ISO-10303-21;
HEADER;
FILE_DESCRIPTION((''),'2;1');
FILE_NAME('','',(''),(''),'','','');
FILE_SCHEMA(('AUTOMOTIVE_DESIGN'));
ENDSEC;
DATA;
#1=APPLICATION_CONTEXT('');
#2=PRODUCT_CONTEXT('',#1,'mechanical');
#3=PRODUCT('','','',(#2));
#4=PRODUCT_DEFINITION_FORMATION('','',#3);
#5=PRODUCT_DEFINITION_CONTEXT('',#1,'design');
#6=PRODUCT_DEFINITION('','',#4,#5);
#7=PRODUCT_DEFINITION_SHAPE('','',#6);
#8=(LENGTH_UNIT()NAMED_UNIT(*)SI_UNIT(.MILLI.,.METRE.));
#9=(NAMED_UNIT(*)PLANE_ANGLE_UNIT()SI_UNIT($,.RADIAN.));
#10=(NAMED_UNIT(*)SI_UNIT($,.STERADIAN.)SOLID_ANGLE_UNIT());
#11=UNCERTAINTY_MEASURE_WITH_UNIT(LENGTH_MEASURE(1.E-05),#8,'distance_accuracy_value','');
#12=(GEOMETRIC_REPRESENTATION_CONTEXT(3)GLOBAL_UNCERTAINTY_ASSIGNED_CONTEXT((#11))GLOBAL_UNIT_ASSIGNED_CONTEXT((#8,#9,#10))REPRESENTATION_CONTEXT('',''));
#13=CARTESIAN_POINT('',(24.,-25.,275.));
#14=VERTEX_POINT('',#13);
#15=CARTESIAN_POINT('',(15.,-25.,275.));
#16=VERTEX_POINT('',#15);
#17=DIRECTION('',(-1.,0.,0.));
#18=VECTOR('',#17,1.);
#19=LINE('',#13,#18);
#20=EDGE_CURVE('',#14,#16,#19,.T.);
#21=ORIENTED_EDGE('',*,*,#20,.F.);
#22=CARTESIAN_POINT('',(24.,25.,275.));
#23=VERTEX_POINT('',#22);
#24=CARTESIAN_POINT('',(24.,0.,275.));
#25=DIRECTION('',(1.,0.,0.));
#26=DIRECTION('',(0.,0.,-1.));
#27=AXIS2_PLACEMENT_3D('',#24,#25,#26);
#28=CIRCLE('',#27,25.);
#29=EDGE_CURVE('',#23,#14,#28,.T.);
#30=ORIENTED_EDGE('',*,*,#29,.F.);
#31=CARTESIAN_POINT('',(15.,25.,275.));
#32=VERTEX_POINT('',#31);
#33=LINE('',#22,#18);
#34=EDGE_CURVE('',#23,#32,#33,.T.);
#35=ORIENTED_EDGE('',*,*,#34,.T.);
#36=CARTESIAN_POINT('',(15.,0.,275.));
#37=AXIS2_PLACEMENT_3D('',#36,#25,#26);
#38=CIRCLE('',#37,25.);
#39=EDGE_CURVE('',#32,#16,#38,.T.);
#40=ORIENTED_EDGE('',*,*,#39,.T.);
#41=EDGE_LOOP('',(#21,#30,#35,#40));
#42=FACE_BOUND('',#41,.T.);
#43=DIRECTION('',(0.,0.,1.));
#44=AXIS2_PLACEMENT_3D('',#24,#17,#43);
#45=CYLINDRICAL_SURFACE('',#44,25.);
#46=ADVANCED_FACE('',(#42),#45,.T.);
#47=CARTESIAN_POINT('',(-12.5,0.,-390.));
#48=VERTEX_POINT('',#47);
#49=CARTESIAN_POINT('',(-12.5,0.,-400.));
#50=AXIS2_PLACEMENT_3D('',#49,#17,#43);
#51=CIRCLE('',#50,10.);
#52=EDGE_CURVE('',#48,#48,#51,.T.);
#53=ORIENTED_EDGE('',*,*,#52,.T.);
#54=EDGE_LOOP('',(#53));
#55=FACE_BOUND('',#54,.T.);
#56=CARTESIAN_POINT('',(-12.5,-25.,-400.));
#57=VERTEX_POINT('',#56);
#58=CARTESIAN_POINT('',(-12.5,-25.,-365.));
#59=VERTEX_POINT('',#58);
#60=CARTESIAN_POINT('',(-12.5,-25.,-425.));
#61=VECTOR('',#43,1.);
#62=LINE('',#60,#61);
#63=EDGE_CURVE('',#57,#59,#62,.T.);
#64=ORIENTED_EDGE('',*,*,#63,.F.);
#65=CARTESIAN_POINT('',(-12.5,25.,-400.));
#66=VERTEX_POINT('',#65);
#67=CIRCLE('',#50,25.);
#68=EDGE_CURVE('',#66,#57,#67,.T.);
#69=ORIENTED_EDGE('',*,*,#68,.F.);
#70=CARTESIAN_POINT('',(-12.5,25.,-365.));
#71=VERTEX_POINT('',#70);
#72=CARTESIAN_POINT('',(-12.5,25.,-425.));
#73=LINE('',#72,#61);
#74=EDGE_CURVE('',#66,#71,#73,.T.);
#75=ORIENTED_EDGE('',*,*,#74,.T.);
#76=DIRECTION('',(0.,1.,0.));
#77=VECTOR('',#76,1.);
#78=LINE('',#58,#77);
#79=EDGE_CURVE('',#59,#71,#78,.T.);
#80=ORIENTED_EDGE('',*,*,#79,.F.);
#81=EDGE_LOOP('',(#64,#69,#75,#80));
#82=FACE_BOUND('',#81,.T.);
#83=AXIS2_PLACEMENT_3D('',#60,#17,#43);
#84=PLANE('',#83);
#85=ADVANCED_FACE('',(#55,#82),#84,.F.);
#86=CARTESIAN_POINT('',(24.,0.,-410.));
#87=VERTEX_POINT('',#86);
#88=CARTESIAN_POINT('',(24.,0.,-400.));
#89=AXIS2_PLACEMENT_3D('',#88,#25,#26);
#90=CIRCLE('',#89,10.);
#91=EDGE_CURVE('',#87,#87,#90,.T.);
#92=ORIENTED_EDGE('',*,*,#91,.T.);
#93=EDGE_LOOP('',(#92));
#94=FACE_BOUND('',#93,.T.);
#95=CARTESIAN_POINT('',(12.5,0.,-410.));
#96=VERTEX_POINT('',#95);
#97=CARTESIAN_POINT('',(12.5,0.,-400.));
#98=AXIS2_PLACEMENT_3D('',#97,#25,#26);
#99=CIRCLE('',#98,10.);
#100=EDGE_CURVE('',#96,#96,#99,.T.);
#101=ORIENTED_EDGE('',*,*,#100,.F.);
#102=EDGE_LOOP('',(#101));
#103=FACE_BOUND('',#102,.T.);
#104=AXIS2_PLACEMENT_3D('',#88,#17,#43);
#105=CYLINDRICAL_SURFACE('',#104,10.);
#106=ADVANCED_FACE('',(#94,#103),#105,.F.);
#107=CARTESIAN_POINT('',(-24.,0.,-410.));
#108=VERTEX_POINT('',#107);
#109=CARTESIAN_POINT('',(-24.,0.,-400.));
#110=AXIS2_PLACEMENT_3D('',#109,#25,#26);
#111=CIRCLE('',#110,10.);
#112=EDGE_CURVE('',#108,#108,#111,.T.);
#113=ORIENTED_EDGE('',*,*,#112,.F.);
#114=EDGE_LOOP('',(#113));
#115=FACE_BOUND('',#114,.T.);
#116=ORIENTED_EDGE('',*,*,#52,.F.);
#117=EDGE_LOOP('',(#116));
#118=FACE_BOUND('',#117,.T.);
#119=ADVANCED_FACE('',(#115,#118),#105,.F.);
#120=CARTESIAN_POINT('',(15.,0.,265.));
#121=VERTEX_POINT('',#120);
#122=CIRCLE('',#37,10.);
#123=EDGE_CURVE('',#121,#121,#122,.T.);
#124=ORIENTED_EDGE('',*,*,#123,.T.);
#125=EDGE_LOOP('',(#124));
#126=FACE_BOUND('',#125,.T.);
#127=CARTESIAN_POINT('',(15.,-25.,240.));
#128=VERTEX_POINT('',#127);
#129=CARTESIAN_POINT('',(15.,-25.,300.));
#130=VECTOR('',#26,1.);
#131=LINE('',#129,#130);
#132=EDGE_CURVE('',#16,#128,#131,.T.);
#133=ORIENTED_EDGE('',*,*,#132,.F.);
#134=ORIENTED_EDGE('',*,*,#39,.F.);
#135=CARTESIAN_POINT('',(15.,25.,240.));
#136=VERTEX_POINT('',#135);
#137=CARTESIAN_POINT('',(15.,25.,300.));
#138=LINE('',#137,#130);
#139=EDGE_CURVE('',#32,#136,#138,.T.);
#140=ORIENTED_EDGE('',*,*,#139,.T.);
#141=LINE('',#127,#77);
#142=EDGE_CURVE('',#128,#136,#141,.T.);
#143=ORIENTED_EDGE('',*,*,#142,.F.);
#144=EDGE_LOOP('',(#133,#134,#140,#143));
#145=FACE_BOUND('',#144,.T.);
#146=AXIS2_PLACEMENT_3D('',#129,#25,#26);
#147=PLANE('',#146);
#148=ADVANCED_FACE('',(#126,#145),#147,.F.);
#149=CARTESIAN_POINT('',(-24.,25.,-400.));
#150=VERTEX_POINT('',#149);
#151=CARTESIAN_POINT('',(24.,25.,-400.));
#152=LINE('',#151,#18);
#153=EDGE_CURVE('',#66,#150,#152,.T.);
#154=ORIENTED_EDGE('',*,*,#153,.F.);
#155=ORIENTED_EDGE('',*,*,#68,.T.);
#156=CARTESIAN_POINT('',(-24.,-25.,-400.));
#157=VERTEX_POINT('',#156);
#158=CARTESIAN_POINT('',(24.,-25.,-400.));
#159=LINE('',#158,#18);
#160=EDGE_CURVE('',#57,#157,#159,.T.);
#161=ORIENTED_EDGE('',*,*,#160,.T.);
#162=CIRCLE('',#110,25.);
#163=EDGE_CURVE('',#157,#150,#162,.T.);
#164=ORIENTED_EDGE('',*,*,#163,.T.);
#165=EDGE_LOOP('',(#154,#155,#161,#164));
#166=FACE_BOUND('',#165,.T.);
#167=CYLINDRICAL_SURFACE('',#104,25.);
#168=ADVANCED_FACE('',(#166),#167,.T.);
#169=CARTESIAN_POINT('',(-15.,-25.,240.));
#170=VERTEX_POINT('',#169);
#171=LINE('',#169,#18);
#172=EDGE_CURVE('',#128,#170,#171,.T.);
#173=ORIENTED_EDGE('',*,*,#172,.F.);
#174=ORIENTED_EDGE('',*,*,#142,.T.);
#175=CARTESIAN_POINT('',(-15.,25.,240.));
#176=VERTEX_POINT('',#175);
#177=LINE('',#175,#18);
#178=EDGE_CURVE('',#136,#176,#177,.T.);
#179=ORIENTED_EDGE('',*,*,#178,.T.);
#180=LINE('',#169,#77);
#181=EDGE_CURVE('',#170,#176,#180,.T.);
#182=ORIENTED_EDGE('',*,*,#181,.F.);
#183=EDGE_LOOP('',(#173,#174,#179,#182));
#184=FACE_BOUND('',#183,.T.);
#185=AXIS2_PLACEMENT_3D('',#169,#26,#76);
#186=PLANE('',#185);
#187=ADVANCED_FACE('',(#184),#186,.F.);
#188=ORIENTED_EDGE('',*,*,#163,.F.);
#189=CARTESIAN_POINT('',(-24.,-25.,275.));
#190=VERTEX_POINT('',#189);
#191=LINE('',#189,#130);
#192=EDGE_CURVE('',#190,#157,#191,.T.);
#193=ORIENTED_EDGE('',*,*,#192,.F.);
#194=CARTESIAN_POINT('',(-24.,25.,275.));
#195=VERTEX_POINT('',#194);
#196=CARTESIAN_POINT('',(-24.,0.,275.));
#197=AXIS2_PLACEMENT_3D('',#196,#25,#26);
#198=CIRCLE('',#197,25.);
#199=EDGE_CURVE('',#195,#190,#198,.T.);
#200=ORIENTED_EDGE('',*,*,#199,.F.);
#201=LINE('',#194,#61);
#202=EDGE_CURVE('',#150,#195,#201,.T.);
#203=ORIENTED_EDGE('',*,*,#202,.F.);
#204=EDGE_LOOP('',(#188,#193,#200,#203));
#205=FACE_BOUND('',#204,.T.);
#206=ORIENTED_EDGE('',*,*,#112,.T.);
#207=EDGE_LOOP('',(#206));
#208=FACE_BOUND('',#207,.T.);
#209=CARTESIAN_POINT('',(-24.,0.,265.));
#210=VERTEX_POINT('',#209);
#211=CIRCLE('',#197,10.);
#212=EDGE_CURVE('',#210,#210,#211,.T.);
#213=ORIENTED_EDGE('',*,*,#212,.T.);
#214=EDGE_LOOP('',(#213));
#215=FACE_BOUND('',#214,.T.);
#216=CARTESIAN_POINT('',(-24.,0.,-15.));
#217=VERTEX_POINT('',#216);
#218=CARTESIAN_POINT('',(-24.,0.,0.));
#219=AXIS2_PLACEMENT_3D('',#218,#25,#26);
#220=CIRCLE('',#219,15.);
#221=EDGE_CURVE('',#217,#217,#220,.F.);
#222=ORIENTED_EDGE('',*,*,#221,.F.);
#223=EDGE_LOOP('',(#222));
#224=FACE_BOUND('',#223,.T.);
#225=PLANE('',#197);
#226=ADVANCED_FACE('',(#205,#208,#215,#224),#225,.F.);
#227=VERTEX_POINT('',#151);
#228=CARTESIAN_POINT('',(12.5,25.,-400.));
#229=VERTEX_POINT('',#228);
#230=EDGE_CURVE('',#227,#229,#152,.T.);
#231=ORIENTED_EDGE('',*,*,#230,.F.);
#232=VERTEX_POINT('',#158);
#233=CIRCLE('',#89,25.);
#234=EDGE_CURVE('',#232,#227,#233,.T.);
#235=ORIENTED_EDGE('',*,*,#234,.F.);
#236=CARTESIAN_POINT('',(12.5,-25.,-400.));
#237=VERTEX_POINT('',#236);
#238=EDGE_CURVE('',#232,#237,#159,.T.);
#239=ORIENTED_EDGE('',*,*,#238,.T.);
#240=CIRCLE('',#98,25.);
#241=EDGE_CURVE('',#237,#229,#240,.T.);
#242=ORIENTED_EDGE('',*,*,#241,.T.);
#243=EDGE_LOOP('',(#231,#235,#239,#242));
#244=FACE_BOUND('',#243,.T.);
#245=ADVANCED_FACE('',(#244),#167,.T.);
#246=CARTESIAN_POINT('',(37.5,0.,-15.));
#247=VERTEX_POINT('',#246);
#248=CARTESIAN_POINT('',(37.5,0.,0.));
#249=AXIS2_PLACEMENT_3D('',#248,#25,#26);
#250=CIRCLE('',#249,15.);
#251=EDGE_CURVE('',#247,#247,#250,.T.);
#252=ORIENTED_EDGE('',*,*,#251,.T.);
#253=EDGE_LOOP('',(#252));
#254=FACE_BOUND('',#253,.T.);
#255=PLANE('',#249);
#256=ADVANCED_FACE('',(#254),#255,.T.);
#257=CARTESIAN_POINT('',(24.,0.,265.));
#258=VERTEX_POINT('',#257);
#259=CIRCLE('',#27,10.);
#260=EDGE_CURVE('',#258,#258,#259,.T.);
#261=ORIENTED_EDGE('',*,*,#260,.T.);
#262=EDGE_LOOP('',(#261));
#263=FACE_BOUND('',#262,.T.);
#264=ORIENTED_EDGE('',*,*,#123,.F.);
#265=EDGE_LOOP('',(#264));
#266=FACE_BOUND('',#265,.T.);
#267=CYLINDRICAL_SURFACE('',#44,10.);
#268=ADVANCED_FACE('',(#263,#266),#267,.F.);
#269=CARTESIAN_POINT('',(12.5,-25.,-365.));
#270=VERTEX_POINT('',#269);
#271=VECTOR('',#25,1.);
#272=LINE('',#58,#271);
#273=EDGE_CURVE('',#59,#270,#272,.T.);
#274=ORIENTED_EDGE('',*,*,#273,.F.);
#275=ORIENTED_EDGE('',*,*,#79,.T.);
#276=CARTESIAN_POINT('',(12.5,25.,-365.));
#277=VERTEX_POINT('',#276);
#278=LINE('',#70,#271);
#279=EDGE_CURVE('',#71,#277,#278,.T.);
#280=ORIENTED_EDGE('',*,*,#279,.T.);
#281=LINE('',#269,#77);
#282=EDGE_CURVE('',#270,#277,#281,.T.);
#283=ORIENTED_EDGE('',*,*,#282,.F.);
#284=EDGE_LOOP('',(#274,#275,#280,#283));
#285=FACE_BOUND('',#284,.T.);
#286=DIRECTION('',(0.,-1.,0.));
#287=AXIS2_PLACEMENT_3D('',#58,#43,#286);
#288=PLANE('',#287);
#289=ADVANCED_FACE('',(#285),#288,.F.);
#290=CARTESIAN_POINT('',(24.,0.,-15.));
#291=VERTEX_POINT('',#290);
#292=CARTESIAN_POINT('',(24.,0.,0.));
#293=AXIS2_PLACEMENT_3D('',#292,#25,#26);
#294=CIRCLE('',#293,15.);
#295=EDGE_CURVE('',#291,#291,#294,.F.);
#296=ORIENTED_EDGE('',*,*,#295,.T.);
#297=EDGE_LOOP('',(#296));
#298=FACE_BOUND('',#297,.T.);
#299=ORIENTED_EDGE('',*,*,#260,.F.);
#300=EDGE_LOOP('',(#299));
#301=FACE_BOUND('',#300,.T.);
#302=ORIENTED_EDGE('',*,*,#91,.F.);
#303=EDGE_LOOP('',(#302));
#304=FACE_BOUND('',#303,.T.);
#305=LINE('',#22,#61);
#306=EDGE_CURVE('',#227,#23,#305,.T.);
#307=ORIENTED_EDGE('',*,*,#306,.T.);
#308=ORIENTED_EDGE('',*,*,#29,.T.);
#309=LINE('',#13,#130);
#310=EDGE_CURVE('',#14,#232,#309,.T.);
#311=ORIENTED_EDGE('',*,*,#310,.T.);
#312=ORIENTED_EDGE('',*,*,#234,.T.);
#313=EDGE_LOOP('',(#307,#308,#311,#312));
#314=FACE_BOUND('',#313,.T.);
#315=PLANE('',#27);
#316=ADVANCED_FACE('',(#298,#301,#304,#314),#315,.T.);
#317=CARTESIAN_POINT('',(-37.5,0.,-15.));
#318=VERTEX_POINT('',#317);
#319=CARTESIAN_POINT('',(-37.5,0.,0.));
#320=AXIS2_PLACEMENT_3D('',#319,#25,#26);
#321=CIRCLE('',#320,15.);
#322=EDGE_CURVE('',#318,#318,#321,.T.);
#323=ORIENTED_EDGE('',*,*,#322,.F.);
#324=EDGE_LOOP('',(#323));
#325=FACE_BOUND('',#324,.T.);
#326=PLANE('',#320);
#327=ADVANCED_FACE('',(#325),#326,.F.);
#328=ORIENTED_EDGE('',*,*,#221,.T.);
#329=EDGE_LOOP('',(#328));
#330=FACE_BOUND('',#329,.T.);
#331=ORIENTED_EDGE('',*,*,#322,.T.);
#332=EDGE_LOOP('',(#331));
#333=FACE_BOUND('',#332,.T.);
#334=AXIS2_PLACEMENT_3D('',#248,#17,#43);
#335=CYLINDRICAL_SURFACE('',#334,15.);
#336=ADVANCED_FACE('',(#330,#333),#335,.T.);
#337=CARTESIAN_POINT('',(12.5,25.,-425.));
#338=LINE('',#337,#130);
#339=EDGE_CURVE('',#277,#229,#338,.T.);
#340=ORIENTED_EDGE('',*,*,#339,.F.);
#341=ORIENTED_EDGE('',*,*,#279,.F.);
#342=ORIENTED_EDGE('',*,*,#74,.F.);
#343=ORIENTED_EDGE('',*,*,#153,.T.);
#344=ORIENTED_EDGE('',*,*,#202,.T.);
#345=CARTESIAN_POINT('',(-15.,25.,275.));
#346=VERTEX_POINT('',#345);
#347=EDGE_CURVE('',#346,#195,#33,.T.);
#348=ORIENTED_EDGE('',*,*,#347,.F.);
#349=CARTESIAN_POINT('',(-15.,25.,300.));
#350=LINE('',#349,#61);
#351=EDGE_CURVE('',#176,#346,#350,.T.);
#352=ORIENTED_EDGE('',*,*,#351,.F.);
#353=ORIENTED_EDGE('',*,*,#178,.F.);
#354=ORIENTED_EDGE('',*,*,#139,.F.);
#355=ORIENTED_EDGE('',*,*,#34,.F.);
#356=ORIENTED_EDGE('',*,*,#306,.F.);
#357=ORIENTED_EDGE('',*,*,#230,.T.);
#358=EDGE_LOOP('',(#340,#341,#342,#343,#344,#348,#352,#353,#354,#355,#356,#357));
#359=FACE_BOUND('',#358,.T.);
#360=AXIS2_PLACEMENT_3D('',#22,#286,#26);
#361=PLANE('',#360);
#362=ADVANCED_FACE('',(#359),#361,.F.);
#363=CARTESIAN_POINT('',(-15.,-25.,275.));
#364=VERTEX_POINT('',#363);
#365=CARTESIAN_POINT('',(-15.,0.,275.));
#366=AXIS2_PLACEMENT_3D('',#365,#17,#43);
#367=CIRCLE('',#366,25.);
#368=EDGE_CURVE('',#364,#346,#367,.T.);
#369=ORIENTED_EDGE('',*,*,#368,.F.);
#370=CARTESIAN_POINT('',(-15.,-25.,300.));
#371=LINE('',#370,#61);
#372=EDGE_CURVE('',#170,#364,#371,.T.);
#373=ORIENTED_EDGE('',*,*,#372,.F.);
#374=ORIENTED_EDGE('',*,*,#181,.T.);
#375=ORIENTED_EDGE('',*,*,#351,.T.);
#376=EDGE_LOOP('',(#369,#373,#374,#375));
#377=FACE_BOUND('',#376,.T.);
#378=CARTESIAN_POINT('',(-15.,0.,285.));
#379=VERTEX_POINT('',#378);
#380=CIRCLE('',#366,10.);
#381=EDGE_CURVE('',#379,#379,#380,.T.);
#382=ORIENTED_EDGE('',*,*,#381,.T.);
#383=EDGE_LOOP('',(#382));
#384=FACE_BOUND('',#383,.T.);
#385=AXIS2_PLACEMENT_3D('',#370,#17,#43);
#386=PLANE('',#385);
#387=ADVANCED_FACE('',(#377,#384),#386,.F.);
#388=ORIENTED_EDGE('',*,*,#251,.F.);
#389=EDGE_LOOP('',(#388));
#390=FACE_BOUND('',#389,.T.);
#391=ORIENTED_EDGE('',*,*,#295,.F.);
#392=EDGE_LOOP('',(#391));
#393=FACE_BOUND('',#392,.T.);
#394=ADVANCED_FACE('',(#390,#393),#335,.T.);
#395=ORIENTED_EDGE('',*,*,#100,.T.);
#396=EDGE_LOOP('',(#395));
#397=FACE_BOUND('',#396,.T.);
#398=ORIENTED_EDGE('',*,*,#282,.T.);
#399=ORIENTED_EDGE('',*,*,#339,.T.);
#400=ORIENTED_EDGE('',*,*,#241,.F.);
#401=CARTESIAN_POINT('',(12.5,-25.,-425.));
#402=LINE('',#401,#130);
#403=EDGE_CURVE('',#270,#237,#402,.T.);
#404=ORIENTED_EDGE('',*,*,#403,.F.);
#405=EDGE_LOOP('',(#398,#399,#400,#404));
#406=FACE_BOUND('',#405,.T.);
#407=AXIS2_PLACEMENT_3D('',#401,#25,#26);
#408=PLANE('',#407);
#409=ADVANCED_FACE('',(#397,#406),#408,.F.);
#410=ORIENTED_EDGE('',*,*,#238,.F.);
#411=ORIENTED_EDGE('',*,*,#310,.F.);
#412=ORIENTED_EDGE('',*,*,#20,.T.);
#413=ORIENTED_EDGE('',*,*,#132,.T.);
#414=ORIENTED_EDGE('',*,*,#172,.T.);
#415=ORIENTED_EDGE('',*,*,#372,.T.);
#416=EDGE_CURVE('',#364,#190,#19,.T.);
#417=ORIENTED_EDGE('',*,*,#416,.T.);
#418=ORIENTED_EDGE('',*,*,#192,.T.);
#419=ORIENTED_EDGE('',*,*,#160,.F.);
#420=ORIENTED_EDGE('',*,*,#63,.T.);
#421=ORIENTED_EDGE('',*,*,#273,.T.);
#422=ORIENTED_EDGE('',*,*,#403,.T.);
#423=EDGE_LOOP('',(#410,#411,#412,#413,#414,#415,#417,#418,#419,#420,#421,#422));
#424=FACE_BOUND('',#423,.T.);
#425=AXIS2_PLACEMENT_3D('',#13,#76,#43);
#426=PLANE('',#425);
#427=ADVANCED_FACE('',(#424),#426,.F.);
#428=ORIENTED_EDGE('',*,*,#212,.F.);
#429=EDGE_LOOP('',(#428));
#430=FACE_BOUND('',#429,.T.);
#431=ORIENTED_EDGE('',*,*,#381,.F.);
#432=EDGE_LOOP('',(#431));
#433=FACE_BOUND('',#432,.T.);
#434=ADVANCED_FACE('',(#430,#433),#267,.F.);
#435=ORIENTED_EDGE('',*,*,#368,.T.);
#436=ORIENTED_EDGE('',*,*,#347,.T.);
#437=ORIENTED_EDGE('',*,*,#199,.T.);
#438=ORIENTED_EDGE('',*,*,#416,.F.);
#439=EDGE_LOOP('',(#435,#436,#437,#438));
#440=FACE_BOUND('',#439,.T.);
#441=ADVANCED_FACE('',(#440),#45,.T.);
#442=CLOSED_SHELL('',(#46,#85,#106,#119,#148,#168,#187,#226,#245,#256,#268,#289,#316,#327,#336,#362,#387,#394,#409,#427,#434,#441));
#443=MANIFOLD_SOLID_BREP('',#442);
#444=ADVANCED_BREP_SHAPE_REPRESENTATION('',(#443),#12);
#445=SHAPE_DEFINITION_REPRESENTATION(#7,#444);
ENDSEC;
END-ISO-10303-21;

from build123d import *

# Parameters (mm, degrees)
SKETCH1_R           = 10
BOSS_EXTRUDE1_DEPTH = 24
SKETCH2_W           = 25
SKETCH2_H           = 60
SKETCH2_W_2         = 30
CUT_EXTRUDE1_DEPTH  = 429.603546416
SKETCH3_R           = 15
BOSS_EXTRUDE2_DEPTH = 37.5


with BuildPart() as part:
    # Sketch1 → Boss-Extrude1 (new, symmetric)
    with BuildSketch(Plane(origin=(0, 0, 0), x_dir=(0, 0, -1), z_dir=(1, 0, 0))):
        with BuildLine():
            Line((-275, 25), (400, 25))
            ThreePointArc((400, 25), (425, 0), (400, -25))
            Line((400, -25), (-275, -25))
            ThreePointArc((-275, -25), (-300, 0), (-275, 25))
        make_face()
        with Locations((-275, 0)):
            Circle(SKETCH1_R, mode=Mode.SUBTRACT)
        with Locations((400, 0)):
            Circle(SKETCH1_R, mode=Mode.SUBTRACT)
    extrude(amount=BOSS_EXTRUDE1_DEPTH, both=True)

    # Sketch2 → Cut-Extrude1 (cut, through all)
    with BuildSketch(Plane(origin=(0, 25, 0), x_dir=(1, 0, 0), z_dir=(0, 1, 0))):
        with Locations((0, 395)):
            Rectangle(SKETCH2_W, SKETCH2_H)
        with Locations((0, -270)):
            Rectangle(SKETCH2_W_2, SKETCH2_H)
    extrude(amount=-CUT_EXTRUDE1_DEPTH, mode=Mode.SUBTRACT)

    # Sketch3 → Boss-Extrude2 (add, symmetric)
    with BuildSketch(Plane(origin=(0, 0, 0), x_dir=(0, 0, -1), z_dir=(1, 0, 0))):
        Circle(SKETCH3_R)
    extrude(amount=BOSS_EXTRUDE2_DEPTH, both=True)


solid = part.part
